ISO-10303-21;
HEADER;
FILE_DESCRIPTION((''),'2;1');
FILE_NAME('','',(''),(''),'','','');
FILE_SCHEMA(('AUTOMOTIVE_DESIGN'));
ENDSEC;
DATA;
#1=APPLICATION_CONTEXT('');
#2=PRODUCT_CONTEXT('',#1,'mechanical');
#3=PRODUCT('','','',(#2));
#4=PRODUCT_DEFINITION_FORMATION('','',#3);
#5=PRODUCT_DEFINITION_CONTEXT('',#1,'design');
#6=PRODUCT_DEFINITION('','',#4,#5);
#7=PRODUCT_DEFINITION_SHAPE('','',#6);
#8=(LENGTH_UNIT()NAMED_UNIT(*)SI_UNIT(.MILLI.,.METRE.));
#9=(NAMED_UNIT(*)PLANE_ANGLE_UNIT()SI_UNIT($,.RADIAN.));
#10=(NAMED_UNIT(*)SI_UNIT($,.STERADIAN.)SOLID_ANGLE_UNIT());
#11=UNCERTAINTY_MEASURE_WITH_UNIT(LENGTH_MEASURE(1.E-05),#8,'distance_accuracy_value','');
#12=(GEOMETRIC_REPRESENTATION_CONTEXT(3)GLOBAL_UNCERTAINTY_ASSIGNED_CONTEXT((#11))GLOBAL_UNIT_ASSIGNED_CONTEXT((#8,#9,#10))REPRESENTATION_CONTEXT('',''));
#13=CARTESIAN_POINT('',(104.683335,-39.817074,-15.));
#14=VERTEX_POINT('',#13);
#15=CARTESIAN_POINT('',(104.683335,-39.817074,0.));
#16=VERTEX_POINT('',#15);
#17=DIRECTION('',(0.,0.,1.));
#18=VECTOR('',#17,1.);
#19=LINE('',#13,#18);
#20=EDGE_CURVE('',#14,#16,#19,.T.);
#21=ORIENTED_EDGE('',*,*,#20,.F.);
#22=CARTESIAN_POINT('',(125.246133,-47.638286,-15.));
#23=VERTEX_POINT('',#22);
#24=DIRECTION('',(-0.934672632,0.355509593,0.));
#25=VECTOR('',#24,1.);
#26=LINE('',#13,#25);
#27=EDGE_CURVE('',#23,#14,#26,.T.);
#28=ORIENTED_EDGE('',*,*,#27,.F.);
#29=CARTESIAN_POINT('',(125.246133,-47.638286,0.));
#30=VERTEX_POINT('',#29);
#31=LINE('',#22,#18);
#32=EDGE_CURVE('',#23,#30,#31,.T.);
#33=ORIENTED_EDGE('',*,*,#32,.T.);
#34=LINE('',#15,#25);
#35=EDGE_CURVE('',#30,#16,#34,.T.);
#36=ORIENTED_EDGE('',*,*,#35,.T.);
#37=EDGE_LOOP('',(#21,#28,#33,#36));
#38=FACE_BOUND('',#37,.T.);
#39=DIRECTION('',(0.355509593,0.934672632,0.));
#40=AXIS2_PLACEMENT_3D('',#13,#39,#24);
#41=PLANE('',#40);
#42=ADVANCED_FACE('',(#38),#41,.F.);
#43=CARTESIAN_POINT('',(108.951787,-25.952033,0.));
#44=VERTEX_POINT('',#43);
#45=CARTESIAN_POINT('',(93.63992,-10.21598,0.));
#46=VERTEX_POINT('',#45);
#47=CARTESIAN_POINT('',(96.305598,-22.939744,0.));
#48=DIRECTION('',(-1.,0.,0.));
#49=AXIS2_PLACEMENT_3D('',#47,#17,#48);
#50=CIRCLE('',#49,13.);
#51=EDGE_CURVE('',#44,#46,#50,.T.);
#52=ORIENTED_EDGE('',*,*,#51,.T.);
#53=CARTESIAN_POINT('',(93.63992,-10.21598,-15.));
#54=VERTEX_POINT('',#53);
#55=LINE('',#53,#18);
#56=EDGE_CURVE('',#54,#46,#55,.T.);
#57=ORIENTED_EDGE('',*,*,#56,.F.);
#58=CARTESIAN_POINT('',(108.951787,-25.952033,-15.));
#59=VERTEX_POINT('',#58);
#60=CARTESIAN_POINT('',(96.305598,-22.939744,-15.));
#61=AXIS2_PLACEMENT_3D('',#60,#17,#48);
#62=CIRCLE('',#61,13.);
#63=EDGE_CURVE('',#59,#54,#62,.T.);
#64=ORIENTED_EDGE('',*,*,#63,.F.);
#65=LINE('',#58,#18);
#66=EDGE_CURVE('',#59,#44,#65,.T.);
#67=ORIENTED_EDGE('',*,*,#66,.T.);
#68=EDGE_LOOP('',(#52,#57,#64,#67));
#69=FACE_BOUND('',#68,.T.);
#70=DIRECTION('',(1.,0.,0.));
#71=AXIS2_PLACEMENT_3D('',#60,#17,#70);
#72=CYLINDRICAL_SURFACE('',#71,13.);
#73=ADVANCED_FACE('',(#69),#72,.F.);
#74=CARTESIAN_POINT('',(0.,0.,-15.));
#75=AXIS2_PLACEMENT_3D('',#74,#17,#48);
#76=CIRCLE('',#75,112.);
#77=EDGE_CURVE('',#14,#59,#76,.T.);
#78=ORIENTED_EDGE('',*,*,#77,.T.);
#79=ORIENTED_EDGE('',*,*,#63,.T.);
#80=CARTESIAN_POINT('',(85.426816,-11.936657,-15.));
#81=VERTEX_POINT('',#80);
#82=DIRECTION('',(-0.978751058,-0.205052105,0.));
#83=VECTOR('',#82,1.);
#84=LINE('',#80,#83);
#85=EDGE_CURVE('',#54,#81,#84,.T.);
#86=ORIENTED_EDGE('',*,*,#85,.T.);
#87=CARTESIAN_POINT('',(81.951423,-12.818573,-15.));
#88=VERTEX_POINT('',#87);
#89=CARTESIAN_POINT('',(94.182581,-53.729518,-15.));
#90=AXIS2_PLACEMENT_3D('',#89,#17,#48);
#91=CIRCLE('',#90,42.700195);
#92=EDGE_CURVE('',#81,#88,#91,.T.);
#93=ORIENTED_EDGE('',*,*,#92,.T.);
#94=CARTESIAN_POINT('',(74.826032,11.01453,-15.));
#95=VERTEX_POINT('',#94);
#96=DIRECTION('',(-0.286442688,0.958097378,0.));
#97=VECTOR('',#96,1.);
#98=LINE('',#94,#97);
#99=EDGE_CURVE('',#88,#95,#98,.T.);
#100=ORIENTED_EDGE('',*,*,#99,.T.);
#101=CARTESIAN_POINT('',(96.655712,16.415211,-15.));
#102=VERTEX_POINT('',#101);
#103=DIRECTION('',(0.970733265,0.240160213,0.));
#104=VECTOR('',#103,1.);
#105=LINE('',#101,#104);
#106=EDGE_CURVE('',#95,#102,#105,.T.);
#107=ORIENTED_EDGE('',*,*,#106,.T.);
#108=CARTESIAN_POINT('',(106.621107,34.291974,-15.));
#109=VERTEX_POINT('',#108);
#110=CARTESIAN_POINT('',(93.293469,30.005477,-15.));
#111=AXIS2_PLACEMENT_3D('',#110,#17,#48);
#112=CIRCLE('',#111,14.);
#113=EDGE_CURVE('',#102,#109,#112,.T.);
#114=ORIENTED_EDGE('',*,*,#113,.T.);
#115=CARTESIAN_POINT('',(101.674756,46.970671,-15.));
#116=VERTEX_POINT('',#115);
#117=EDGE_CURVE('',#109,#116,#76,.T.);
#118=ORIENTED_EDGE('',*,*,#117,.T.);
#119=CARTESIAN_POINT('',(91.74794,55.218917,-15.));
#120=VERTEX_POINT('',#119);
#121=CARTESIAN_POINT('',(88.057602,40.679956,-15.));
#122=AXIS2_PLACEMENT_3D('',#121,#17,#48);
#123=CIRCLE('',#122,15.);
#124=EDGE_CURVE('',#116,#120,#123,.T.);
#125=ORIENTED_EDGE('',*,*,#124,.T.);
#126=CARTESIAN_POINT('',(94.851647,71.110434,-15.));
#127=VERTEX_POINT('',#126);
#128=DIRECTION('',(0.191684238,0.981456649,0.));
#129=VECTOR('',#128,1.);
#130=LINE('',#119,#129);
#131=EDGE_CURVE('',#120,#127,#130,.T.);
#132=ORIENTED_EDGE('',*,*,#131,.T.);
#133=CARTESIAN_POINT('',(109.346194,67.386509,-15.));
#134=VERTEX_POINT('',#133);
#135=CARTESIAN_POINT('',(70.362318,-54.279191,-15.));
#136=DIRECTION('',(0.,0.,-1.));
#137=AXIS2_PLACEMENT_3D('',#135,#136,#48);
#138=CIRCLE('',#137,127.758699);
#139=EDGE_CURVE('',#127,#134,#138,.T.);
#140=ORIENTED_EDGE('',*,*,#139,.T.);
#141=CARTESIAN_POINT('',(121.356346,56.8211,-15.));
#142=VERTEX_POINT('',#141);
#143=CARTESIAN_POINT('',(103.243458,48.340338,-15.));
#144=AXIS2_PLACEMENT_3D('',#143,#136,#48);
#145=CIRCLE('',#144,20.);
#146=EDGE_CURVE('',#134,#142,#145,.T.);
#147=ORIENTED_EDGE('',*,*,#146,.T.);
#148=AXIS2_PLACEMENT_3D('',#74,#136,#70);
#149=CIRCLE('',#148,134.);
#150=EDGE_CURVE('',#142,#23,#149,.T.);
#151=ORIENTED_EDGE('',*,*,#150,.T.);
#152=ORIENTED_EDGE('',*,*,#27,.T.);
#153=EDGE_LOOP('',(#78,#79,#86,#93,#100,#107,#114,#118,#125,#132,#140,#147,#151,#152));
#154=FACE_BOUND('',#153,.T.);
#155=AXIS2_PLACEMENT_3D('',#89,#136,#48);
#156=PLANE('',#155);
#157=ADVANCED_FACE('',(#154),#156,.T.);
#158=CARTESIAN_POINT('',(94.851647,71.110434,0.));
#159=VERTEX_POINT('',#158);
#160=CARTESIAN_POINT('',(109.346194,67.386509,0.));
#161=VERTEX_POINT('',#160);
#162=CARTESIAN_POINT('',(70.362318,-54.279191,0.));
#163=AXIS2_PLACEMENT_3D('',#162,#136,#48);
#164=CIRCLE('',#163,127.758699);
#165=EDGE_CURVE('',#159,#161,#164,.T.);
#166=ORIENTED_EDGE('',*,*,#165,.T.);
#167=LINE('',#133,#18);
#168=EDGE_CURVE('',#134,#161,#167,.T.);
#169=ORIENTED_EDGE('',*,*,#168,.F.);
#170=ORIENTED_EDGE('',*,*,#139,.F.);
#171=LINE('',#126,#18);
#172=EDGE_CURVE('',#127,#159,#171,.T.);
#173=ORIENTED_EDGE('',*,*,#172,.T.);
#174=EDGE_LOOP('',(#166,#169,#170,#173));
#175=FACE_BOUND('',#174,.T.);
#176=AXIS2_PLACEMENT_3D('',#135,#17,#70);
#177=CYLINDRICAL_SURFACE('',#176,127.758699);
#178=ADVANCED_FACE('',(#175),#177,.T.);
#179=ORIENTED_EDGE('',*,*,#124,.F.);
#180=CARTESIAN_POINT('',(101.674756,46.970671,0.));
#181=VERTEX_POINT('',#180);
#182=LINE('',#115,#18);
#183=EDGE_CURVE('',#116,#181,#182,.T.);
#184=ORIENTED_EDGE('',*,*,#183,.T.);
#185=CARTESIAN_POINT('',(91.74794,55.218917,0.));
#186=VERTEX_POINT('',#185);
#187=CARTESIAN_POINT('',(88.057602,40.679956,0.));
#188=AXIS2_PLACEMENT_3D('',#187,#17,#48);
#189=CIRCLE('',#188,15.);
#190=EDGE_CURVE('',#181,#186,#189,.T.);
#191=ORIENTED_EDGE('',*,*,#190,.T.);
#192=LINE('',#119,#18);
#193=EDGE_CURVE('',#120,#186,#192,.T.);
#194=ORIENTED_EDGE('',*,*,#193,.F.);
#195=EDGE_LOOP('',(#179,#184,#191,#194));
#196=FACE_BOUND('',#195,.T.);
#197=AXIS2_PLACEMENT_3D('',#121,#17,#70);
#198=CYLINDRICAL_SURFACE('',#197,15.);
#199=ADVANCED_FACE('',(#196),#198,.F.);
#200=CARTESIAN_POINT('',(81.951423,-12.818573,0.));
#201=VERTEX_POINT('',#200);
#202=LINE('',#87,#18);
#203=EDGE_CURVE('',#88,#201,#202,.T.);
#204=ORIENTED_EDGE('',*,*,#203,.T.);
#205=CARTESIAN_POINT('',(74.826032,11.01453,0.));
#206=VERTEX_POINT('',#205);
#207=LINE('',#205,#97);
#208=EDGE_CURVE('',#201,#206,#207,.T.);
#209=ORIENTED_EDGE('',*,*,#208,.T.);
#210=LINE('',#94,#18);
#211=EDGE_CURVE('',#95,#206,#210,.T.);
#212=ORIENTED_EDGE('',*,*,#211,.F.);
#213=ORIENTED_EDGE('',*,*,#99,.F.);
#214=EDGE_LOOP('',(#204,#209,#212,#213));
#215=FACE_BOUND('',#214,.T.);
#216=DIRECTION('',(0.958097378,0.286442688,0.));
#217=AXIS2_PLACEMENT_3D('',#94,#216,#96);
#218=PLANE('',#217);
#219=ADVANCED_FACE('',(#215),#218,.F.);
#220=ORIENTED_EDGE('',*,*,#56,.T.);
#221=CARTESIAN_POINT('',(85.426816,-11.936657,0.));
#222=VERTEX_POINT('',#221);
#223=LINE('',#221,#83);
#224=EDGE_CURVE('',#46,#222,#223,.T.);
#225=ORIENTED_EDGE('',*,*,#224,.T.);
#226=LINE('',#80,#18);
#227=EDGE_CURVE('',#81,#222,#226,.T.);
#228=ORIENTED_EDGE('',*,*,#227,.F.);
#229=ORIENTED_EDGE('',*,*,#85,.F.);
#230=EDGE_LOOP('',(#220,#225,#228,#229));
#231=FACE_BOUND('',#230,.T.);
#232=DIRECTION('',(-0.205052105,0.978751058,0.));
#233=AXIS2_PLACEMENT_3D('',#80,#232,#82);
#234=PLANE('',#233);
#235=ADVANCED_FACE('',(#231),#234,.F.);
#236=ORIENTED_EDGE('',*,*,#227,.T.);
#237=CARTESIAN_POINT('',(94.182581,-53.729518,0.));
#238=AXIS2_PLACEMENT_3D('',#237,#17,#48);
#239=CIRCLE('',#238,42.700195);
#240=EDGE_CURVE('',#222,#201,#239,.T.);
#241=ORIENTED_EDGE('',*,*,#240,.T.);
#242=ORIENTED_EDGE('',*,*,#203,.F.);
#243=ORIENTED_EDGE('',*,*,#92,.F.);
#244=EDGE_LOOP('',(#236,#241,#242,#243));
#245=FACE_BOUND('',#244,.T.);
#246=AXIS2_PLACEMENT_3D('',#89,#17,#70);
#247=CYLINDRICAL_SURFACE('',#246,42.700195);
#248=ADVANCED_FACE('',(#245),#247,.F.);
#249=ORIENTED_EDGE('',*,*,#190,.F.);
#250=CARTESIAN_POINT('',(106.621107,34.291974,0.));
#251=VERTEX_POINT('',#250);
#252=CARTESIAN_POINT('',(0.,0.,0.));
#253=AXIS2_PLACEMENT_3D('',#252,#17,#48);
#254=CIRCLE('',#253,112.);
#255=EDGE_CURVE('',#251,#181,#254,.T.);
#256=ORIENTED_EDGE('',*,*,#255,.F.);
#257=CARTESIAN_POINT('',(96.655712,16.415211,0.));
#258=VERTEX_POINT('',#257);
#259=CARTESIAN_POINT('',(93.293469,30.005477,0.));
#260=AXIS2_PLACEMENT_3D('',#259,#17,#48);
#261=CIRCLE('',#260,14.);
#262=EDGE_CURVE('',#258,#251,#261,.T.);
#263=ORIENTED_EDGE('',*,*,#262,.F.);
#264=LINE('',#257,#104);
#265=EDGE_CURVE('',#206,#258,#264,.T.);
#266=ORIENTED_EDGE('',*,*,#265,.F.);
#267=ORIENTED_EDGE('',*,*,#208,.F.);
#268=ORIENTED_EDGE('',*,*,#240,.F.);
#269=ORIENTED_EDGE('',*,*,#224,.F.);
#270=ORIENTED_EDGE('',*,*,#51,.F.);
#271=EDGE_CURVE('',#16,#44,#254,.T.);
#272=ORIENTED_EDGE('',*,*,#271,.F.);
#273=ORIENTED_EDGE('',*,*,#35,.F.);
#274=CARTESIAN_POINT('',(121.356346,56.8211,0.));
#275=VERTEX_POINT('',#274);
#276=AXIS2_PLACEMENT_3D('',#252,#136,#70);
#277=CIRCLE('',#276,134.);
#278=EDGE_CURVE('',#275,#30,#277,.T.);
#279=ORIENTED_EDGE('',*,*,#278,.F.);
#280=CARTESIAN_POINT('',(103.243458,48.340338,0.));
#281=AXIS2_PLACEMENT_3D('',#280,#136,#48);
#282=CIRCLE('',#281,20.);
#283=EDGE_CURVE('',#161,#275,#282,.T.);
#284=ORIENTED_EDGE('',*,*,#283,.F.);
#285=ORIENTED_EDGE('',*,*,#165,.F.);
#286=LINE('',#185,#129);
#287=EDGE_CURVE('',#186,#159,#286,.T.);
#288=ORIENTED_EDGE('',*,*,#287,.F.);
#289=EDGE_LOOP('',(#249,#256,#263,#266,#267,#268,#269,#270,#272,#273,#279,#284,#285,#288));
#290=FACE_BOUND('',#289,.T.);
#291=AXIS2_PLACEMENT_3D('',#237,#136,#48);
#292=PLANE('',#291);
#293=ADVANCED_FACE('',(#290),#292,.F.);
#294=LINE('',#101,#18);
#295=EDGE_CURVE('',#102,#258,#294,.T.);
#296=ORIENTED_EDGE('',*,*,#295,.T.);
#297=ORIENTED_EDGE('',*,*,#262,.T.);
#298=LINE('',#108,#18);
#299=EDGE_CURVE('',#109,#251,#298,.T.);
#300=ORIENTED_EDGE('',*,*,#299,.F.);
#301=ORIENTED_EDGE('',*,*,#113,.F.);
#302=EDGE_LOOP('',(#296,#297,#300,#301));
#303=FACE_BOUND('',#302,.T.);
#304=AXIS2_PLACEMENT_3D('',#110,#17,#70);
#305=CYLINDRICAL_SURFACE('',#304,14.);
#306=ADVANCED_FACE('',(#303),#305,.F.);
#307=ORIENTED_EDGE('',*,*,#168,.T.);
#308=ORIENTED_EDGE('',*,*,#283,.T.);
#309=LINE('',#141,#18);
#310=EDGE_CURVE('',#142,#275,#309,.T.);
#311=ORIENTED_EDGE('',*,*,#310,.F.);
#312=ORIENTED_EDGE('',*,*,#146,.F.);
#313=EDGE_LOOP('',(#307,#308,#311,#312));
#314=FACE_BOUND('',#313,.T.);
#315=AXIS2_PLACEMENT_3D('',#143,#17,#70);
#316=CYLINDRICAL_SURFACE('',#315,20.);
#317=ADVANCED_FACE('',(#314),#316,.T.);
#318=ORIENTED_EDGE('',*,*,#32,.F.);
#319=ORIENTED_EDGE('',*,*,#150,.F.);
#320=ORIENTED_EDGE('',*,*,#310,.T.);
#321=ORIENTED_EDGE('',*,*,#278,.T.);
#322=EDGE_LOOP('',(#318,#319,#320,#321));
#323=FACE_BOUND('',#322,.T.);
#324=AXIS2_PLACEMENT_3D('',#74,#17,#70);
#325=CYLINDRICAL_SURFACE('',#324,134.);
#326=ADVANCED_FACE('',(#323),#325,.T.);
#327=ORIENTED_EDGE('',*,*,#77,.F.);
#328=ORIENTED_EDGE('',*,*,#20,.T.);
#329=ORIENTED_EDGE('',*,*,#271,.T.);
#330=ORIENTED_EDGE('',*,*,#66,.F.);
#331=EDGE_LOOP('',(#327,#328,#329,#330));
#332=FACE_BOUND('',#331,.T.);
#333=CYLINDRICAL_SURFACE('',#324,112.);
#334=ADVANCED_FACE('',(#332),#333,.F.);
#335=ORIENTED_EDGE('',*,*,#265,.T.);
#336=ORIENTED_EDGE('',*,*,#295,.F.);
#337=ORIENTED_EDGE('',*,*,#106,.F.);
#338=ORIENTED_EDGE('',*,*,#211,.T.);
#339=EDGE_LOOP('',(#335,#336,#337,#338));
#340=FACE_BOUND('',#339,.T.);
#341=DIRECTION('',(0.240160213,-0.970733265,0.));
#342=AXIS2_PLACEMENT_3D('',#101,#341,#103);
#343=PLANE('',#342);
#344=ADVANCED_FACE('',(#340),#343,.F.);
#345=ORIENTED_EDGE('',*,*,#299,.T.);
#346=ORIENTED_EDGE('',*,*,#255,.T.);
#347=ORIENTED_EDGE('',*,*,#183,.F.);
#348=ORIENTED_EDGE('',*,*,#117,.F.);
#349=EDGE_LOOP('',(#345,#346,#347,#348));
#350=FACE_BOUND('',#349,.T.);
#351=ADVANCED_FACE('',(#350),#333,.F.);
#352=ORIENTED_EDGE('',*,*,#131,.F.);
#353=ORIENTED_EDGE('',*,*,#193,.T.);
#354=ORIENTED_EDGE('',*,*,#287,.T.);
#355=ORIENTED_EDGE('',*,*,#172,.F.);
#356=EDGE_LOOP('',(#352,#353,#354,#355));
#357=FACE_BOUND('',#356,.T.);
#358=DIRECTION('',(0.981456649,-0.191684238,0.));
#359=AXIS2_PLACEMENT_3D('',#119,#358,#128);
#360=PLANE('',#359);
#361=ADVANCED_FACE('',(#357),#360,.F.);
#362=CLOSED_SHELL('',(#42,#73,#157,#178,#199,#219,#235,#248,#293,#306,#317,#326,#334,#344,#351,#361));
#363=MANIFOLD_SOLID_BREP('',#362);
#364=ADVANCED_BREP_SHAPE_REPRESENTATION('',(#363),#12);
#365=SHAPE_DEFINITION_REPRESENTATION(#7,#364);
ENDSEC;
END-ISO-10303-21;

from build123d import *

# Parameters (mm, degrees)
DODANIE_WYCI_GNI_CIE1_DEPTH = 15


with BuildPart() as part:
    # Szkic2 → Dodanie-wyciągnięcie1 (new body)
    with BuildSketch(Plane(origin=(0, 0, 0), x_dir=(-1, 0, 0), z_dir=(0, 0, -1))):
        with BuildLine():
            Line((-74.826032056, 11.014530402), (-81.951422725, -12.818572719))
            ThreePointArc((-81.951422725, -12.818572719), (-83.679858685, -12.341119841), (-85.426816489, -11.936656557))
            Line((-85.426816489, -11.936656557), (-93.639920436, -10.215979742))
            ThreePointArc((-93.639920436, -10.215979742), (-105.622705702, -13.873790687), (-108.951787413, -25.952033051))
            ThreePointArc((-108.951787413, -25.952033051), (-107.042286981, -32.953737236), (-104.683334782, -39.817074466))
            Line((-104.683334782, -39.817074466), (-125.246132685, -47.638285521))
            ThreePointArc((-125.246132685, -47.638285521), (-133.907193125, 4.986344284), (-121.356345693, 56.821099602))
            ThreePointArc((-121.356345693, 56.821099602), (-116.45353268, 63.356793916), (-109.346193532, 67.386509274))
            ThreePointArc((-109.346193532, 67.386509274), (-102.153493063, 69.460884834), (-94.851646537, 71.110433658))
            Line((-94.851646537, 71.110433658), (-91.74794023, 55.218917354))
            ThreePointArc((-91.74794023, 55.218917354), (-97.643827413, 52.217038431), (-101.674756414, 46.970670723))
            ThreePointArc((-101.674756414, 46.970670723), (-104.340687454, 40.706522101), (-106.621107385, 34.291973698))
            ThreePointArc((-106.621107385, 34.291973698), (-105.521825108, 23.188783802), (-96.655711946, 16.415211274))
            Line((-96.655711946, 16.415211274), (-74.826032056, 11.014530402))
        make_face()
    extrude(amount=DODANIE_WYCI_GNI_CIE1_DEPTH)


solid = part.part
